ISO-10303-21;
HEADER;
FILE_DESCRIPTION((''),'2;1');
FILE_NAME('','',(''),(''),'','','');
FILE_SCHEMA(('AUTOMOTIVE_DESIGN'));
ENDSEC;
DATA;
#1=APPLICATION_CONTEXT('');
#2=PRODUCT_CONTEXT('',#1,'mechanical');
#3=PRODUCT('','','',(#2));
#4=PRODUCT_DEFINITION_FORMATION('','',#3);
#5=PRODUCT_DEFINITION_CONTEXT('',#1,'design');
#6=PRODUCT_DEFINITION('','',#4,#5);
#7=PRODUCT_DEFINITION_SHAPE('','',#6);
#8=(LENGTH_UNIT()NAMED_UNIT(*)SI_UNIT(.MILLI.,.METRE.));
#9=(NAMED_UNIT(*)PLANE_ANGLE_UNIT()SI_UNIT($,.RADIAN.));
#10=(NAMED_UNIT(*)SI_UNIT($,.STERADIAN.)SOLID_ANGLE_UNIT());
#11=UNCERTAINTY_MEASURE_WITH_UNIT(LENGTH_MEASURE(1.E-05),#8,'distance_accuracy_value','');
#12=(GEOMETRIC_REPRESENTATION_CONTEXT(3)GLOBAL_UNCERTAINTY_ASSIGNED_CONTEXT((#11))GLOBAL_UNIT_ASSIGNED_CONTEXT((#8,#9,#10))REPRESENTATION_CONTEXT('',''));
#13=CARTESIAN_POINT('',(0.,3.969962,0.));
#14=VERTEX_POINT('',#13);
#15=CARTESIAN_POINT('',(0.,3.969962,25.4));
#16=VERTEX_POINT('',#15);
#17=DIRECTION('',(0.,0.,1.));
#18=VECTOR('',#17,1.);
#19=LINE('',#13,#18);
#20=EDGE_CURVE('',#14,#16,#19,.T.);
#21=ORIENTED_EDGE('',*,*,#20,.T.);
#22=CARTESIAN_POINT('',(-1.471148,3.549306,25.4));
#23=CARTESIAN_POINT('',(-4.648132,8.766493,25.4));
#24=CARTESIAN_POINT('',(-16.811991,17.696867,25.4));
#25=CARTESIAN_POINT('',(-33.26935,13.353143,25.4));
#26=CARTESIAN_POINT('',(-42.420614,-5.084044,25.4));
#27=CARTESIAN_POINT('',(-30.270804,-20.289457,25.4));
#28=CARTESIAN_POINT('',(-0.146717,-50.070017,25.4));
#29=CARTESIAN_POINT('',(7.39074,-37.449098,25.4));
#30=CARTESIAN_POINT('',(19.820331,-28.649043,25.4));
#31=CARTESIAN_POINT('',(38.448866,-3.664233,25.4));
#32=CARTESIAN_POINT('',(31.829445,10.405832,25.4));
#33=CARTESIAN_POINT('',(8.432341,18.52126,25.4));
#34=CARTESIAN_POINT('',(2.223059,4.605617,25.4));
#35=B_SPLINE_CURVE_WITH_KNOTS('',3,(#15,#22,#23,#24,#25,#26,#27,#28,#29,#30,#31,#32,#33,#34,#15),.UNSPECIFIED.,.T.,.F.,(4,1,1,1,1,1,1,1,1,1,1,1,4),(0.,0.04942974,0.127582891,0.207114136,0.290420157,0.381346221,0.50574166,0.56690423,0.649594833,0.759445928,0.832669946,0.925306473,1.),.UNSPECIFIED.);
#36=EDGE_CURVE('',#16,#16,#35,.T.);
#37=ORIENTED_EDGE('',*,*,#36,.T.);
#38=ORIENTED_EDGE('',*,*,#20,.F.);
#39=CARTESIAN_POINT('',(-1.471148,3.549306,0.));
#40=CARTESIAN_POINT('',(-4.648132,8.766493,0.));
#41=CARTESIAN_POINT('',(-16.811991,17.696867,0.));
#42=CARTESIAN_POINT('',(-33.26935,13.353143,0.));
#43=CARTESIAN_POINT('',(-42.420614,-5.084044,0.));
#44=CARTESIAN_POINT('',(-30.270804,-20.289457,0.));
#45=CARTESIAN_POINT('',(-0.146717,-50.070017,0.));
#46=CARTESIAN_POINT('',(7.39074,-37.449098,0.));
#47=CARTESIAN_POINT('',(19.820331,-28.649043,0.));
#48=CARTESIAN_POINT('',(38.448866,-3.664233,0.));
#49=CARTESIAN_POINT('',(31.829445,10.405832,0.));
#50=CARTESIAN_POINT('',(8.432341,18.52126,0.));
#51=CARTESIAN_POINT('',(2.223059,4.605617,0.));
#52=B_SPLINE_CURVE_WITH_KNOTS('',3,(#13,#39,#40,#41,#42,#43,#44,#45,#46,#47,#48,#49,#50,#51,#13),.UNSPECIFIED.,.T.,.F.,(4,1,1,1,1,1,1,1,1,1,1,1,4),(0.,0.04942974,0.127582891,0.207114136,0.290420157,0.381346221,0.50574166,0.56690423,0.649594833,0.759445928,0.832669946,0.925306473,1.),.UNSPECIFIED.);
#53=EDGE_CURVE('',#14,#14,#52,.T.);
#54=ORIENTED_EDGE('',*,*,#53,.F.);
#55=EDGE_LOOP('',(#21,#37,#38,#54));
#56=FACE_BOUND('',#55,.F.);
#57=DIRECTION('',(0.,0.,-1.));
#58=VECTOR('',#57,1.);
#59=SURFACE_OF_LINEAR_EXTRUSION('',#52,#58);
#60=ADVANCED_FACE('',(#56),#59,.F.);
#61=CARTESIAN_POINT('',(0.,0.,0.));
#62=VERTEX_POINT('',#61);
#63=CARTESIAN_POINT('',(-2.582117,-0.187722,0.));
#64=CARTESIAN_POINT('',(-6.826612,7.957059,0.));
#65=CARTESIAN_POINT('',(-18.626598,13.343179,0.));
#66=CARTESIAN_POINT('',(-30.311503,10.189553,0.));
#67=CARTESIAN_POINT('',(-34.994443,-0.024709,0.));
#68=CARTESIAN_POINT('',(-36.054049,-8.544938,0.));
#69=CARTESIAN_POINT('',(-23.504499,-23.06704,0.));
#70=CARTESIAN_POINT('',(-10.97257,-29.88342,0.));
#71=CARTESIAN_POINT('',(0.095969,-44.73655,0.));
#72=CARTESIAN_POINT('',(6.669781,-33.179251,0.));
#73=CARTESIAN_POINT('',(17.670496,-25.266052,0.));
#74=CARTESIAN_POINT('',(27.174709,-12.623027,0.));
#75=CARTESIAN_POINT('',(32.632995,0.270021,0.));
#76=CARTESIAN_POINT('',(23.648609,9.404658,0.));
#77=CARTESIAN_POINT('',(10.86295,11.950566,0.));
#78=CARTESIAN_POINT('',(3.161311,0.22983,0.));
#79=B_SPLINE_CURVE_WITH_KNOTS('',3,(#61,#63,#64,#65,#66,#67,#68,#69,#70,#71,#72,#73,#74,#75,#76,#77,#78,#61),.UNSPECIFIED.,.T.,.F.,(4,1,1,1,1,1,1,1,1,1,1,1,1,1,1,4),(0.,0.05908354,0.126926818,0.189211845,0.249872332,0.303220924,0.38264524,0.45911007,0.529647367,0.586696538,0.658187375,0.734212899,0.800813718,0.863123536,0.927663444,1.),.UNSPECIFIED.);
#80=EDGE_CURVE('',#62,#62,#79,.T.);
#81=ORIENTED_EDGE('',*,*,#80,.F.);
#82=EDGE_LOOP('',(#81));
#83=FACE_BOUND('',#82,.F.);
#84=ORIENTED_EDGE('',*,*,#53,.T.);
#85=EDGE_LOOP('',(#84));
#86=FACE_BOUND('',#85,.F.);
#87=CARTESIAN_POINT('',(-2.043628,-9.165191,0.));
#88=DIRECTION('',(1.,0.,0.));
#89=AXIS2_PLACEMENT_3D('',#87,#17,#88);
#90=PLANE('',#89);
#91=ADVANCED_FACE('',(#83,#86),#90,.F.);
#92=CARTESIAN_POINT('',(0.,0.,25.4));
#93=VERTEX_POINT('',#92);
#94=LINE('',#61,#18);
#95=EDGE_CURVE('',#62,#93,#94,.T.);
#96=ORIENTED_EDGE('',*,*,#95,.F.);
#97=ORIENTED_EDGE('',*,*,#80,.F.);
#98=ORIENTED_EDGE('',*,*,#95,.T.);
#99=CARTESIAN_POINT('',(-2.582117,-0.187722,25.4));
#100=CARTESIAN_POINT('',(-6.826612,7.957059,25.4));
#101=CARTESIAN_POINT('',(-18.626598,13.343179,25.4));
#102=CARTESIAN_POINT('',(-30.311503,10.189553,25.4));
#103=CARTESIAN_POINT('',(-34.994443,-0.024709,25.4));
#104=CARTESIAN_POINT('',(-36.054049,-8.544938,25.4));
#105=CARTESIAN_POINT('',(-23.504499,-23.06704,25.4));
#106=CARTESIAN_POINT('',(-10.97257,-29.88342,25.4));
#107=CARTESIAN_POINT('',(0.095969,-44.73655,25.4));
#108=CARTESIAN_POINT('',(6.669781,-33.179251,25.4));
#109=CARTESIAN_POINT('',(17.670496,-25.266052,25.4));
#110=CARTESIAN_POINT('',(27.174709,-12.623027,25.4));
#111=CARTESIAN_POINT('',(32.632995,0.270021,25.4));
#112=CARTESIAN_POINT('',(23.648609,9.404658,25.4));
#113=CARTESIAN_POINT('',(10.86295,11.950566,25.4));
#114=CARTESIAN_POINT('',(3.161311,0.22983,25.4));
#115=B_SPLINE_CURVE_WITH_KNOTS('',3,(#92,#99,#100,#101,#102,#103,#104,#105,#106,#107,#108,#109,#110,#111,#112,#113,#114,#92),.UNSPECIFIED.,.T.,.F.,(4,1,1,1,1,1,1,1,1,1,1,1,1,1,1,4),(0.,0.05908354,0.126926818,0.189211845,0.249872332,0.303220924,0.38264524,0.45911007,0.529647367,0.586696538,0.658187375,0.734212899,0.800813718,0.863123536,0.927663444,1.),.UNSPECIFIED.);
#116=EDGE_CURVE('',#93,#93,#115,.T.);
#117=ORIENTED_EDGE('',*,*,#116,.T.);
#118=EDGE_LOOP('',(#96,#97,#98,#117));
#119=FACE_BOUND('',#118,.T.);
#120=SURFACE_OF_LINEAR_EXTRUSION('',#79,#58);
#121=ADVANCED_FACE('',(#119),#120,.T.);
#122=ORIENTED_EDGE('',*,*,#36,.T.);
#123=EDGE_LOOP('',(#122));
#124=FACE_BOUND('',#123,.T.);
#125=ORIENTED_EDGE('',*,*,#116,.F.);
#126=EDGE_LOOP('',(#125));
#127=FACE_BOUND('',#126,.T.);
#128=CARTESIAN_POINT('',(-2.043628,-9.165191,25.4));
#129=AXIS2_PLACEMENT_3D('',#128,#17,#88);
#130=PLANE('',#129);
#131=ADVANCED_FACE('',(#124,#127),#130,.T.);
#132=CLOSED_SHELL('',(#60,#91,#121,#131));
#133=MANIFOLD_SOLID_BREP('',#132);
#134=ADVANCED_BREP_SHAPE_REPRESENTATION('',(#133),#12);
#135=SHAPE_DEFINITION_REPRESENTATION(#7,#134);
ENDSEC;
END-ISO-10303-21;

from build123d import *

# Parameters (mm, degrees)
F1_DEPTH = 25.4


with BuildPart() as f1:
    # F0 (on Top) → F1 (new body)
    with BuildSketch(Plane.XY):
        with BuildLine():
            add(Edge.make_bspline(
                [(0, 3.969962243), (-1.4711478294, 3.5493064684), (-4.6481318282, 8.7664928556), (-16.8119907928, 17.6968670143), (-33.2693495807, 13.3531434485), (-42.4206137233, -5.0840437629), (-30.2708044064, -20.2894567388), (-0.1467169212, -50.0700171099), (7.3907396958, -37.4490982928), (19.8203308105, -28.6490432386), (38.448866224, -3.6642330756), (31.829444703, 10.4058319146), (8.4323408776, 18.5212601119), (2.2230588448, 4.6056172884), (0, 3.969962243)],
                knots=[0, 0, 0, 0, 0.0494297399, 0.1275828912, 0.2071141356, 0.2904201571, 0.3813462208, 0.5057416598, 0.5669042304, 0.6495948325, 0.7594459284, 0.832669946, 0.9253064727, 1, 1, 1, 1], degree=3))
        make_face()
        with BuildLine():
            add(Edge.make_bspline(
                [(0, 0), (-2.5821169337, -0.1877222818), (-6.8266116849, 7.9570591194), (-18.6265981808, 13.3431791581), (-30.311502811, 10.1895534316), (-34.9944428397, -0.0247094567), (-36.0540486217, -8.544938214), (-23.5044985736, -23.0670396238), (-10.9725696081, -29.8834201593), (0.0959685309, -44.7365498299), (6.6697809917, -33.1792507035), (17.6704960954, -25.2660522514), (27.174709332, -12.6230273826), (32.6329949565, 0.2700214174), (23.6486090086, 9.4046576854), (10.8629497292, 11.9505655438), (3.161310986, 0.2298302235), (0, 0)],
                knots=[0, 0, 0, 0, 0.0590835404, 0.1269268184, 0.1892118446, 0.2498723322, 0.3032209235, 0.3826452405, 0.4591100703, 0.5296473666, 0.5866965376, 0.6581873755, 0.7342128988, 0.8008137181, 0.8631235356, 0.9276634443, 1, 1, 1, 1], degree=3))
        make_face(mode=Mode.SUBTRACT)
    extrude(amount=F1_DEPTH)


solid = f1.part
